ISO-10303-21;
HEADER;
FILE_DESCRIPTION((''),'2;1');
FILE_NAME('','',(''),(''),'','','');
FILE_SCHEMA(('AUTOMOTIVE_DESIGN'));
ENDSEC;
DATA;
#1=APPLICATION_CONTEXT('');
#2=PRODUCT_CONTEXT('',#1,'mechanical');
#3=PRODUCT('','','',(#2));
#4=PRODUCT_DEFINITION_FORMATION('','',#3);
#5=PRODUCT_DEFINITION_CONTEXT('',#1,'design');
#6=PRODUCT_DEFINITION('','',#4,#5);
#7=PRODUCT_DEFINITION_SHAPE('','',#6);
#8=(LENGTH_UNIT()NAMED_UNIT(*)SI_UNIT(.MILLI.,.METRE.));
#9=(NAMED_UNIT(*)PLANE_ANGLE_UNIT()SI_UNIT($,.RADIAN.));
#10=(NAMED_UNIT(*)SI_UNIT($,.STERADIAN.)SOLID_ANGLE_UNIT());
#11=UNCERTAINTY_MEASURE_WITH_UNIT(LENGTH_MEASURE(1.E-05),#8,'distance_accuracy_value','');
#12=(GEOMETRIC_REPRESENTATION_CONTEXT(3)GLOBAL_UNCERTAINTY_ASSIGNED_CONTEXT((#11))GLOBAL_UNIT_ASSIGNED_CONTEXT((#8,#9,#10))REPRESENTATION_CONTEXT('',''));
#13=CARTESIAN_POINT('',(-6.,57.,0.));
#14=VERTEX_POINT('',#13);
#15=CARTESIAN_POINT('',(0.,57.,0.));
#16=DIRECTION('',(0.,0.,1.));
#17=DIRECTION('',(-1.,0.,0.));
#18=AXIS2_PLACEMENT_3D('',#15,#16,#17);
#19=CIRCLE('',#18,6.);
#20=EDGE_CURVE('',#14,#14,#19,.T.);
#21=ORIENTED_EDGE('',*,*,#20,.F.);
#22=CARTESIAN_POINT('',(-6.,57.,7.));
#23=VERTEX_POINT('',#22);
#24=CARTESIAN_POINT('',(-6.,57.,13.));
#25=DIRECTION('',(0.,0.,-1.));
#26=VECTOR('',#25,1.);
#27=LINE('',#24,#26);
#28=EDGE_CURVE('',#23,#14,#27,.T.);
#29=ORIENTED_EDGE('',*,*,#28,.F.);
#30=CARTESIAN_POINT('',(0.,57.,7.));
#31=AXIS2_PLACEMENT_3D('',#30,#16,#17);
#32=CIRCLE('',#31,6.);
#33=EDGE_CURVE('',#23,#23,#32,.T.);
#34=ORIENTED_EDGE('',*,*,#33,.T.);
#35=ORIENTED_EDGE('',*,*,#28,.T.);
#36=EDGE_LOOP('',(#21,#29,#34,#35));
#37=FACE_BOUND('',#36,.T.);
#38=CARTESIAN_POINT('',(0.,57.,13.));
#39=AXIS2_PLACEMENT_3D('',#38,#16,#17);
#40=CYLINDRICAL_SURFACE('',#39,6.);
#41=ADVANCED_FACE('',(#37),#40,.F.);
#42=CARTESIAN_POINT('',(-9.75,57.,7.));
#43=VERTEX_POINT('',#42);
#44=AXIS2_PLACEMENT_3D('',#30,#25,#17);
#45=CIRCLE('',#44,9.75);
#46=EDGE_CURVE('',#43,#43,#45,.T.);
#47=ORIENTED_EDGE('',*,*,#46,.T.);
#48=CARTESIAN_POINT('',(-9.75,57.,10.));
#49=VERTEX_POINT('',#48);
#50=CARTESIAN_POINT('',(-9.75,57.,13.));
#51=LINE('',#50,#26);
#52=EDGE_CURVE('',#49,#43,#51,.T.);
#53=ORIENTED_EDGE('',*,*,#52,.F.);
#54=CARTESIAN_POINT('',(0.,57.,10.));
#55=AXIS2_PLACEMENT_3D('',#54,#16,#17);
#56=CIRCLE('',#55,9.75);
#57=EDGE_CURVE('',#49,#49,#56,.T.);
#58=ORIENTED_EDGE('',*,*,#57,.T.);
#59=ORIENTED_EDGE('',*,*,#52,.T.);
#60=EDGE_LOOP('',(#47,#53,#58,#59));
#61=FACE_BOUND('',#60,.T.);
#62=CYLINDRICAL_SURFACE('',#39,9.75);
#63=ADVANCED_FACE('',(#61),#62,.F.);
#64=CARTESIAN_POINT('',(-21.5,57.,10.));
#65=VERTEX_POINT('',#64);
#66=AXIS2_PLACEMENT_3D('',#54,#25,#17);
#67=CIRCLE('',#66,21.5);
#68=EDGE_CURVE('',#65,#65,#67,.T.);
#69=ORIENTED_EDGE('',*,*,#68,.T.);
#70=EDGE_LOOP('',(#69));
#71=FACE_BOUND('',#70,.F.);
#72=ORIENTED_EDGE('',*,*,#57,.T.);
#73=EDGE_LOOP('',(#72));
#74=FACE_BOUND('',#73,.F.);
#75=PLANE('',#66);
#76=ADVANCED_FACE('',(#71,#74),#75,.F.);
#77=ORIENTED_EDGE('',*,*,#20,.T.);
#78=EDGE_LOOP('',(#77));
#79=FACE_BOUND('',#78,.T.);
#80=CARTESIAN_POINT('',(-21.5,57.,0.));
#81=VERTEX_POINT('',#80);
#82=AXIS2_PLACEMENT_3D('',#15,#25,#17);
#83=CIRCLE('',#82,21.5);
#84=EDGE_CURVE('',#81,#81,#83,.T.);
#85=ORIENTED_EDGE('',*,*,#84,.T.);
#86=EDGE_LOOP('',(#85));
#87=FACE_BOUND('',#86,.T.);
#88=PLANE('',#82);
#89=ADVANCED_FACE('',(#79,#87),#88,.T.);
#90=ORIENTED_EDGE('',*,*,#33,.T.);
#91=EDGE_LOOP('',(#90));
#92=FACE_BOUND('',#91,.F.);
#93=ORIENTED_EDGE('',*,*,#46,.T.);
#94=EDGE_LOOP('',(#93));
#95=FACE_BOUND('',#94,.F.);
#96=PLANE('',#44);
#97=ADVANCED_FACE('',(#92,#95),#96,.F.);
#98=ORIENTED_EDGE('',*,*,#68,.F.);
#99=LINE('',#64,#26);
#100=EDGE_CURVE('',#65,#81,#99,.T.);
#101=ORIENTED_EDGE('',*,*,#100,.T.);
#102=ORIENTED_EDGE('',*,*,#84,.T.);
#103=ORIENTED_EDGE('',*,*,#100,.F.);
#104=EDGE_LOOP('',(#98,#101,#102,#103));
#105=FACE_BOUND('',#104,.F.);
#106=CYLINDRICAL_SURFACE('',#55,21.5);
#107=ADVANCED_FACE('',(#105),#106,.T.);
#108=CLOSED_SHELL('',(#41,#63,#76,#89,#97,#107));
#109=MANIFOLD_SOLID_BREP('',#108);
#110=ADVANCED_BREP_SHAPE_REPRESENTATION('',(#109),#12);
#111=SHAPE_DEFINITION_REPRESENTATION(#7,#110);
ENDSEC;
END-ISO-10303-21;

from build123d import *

# Parameters (mm, degrees)
CYLINDER005_R          = 6
CYLINDER005_DEPTH      = 20
CYLINDER007_R          = 9.75
CYLINDER007_DEPTH      = 6
CYLINDER003_R          = 21.5
CYLINDER003_DEPTH      = 10
CUT003_PLACEMENT_ANGLE = 180


with BuildPart() as cylinder005:
    # Cylinder005 → Cylinder005 (new body)
    with BuildSketch(Plane.XY):
        Circle(CYLINDER005_R)
    extrude(amount=CYLINDER005_DEPTH)


with BuildPart() as cylinder007:
    # Cylinder007 → Cylinder007 (new body)
    with BuildSketch(Plane.XY):
        Circle(CYLINDER007_R)
    extrude(amount=CYLINDER007_DEPTH)


with BuildPart() as large_bearing_ring:
    # Cylinder003 → Cylinder003 (new body)
    with BuildSketch(Plane.XY.offset(3)):
        Circle(CYLINDER003_R)
    extrude(amount=CYLINDER003_DEPTH)

    # Cut002: cut Cylinder007
    add(cylinder007.part, mode=Mode.SUBTRACT)

    # Cut003: cut Cylinder005
    add(cylinder005.part, mode=Mode.SUBTRACT)


with BuildPart() as large_bearing_ring_1:
    # Cut003 placement: moved
    add(large_bearing_ring.part.moved(Location((0, 57, 13))).rotate(Axis((0, 57, 13), (0, 1, 0)), CUT003_PLACEMENT_ANGLE))


solid = large_bearing_ring_1.part
